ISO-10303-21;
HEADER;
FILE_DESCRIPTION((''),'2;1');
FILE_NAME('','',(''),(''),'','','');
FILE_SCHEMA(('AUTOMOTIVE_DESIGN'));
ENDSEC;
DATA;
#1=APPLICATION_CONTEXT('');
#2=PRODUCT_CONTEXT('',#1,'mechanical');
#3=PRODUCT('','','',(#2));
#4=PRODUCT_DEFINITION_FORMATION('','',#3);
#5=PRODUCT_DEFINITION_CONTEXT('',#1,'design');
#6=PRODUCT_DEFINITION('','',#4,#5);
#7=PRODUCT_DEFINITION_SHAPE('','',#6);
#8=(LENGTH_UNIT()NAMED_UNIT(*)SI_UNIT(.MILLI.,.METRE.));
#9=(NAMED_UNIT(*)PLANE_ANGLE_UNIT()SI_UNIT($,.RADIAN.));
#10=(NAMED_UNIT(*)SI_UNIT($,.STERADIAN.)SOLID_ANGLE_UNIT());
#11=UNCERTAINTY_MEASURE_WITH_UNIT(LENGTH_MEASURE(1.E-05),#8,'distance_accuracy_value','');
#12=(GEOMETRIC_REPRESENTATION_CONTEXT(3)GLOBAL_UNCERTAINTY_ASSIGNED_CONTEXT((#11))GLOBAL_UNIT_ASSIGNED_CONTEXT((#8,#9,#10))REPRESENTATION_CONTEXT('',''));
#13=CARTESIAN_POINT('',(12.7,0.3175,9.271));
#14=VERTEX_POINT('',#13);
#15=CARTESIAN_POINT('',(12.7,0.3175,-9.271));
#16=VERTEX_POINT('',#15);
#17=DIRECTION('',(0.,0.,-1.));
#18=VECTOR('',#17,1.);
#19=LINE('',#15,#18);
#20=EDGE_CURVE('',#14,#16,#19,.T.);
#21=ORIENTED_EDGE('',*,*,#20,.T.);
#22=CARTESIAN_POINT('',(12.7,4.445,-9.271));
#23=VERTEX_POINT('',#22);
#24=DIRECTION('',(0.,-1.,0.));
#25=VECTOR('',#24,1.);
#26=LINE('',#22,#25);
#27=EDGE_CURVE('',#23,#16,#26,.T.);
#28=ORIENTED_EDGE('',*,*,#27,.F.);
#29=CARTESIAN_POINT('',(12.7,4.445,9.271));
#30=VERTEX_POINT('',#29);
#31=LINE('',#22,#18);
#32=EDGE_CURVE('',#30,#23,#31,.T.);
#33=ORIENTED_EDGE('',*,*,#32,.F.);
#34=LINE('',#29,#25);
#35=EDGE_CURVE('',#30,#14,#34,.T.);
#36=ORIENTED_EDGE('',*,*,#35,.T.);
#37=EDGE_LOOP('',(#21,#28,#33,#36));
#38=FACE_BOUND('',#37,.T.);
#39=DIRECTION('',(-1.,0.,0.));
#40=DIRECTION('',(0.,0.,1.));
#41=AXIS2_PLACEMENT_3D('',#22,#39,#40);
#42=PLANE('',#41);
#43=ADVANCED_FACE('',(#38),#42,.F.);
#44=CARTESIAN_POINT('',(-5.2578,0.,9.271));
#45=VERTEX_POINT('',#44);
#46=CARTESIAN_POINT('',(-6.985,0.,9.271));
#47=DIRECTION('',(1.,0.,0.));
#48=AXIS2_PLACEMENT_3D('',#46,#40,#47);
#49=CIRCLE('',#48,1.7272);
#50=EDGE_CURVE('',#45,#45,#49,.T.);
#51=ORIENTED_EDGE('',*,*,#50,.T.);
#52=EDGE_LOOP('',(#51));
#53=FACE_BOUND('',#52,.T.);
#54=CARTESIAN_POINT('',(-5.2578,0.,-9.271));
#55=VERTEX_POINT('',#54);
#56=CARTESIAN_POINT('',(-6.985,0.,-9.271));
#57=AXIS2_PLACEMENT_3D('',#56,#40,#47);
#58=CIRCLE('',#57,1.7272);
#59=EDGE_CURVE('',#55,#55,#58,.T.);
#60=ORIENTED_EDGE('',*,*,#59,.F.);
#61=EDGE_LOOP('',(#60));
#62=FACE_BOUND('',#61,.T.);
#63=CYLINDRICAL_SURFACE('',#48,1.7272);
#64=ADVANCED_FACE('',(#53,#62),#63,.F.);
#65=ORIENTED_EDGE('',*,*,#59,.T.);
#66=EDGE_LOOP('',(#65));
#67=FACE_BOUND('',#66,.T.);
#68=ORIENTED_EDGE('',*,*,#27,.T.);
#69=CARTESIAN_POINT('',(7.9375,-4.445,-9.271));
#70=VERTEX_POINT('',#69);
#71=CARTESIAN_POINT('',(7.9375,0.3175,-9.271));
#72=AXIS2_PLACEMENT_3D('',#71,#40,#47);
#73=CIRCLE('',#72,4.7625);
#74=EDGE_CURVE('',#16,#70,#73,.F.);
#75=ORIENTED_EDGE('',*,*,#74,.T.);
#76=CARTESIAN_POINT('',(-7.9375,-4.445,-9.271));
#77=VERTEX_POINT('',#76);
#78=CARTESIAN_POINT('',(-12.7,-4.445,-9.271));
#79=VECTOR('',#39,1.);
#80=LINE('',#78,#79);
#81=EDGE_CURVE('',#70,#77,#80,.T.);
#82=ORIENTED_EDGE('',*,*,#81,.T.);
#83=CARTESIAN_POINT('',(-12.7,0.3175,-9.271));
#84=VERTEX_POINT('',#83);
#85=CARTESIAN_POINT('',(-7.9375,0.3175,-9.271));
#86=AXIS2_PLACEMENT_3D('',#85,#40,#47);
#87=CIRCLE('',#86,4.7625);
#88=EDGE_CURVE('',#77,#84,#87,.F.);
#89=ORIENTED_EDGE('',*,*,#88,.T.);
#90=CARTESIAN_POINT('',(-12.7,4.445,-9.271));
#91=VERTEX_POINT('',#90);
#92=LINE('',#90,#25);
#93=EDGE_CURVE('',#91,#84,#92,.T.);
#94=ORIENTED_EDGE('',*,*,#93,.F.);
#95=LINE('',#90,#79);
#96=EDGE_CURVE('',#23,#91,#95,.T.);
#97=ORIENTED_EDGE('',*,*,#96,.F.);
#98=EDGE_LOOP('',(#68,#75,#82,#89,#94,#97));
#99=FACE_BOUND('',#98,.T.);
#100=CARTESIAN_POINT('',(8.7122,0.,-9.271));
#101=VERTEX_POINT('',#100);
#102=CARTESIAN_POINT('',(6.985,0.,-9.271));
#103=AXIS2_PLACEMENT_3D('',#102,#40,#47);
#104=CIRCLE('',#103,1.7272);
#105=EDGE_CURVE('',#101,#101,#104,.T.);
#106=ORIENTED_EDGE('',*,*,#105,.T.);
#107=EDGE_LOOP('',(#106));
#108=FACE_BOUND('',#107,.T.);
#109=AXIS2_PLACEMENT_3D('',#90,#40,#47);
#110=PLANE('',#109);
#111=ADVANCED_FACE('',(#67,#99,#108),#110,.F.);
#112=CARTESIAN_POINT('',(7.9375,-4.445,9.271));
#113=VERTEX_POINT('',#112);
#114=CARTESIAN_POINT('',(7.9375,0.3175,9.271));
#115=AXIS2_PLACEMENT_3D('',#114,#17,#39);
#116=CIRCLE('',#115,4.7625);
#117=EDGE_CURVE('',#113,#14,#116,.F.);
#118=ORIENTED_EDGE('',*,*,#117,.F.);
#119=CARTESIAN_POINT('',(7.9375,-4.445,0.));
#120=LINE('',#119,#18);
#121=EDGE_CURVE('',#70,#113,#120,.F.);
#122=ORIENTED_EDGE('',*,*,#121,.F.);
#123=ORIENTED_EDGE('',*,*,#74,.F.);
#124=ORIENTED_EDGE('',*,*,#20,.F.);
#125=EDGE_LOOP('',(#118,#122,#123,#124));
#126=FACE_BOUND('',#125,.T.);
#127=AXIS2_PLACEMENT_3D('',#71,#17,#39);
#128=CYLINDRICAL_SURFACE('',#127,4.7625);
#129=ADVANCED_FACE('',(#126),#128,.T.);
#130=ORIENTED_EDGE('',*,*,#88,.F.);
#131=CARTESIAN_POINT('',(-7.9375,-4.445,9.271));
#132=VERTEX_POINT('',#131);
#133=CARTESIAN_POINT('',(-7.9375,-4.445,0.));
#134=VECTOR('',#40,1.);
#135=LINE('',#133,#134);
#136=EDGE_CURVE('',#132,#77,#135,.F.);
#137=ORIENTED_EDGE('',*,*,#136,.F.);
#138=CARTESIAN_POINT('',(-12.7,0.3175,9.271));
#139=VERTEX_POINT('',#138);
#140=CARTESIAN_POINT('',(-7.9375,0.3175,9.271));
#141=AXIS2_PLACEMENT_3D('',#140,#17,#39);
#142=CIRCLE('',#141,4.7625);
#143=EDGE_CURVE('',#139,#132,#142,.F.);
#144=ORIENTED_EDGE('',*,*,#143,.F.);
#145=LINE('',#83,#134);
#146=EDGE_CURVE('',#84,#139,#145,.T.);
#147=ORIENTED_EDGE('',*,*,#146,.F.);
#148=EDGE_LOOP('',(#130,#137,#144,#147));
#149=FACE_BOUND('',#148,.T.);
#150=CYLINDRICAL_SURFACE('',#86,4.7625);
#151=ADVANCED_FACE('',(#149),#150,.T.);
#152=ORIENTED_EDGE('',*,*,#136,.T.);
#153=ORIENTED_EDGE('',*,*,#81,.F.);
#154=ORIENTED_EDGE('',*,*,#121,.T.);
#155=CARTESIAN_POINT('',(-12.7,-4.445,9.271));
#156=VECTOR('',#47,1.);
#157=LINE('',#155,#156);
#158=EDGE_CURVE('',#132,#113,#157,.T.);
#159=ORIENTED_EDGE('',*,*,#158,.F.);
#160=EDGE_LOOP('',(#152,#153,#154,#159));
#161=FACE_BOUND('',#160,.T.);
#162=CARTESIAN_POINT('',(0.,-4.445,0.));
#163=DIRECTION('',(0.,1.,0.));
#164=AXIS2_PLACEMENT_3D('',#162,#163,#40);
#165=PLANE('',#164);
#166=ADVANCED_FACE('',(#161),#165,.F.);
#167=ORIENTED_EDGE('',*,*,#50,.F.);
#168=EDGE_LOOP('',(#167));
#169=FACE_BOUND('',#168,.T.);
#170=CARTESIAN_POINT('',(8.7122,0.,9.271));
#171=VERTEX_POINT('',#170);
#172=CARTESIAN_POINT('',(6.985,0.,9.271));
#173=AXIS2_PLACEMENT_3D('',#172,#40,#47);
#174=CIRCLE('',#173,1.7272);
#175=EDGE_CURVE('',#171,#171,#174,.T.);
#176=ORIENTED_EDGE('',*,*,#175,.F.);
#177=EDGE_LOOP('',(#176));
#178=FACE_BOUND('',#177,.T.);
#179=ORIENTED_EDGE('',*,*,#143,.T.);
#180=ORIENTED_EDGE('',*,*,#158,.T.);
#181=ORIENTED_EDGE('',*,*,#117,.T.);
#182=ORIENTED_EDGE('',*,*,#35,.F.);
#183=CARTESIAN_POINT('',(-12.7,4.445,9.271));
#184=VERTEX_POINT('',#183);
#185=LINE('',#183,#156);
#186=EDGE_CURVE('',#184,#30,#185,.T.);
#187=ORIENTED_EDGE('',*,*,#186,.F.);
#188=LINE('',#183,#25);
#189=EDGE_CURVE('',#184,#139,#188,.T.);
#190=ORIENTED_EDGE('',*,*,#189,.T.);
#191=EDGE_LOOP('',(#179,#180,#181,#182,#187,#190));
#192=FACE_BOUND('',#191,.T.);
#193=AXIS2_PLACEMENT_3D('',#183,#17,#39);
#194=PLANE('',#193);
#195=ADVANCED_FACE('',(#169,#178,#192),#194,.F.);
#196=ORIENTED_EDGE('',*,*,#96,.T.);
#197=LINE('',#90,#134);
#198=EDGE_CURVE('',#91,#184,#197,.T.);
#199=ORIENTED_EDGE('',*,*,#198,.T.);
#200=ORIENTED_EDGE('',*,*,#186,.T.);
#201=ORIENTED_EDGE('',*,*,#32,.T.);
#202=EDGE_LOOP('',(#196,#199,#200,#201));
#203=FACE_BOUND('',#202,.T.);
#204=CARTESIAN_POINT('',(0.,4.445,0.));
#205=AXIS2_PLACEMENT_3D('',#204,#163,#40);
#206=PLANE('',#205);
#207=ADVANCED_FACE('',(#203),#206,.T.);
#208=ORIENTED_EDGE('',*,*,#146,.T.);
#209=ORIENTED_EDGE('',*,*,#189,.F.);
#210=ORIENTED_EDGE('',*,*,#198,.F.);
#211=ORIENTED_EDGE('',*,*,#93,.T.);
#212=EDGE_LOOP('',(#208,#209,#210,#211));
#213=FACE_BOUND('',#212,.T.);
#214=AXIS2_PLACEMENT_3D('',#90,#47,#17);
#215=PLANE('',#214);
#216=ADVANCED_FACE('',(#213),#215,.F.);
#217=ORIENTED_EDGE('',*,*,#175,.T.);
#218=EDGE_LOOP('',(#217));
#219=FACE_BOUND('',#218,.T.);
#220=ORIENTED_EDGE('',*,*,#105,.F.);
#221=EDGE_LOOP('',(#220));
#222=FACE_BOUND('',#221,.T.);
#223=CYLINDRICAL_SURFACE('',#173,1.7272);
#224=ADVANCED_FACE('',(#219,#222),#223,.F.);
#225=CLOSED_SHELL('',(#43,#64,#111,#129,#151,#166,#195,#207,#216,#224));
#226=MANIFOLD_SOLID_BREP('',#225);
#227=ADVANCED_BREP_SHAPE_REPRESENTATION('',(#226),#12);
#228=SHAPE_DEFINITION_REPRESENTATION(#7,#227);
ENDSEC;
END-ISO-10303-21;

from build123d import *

# Parameters (mm, degrees)
SKETCH1_W                 = 25.4
SKETCH1_H                 = 18.542
BOSS_EXTRUDE1_DEPTH       = 4.445
TAP_DRILL_FOR_8_32_TAP1_D = 3.4544
FILLET1_R                 = 4.7625


with BuildPart() as part:
    # Sketch1 → Boss-Extrude1 (new, symmetric)
    with BuildSketch(Plane(origin=(0, 0, 0), x_dir=(1, 0, 0), z_dir=(0, 1, 0))):
        Rectangle(SKETCH1_W, SKETCH1_H)
    extrude(amount=BOSS_EXTRUDE1_DEPTH, both=True)

    # Tap Drill for #8-32 Tap1 (through all)
    with Locations(Plane.XY.offset(9.271)):
        with Locations((-6.985, 0), (6.985, 0)):
            Hole(TAP_DRILL_FOR_8_32_TAP1_D / 2)

    # Fillet1
    fillet1_edges = [part.edges().sort_by_distance(p)[0] for p in [
        (-12.7, -4.445, 0),
        (12.7, -4.445, 0),
    ]]
    fillet(fillet1_edges, radius=FILLET1_R)


solid = part.part
